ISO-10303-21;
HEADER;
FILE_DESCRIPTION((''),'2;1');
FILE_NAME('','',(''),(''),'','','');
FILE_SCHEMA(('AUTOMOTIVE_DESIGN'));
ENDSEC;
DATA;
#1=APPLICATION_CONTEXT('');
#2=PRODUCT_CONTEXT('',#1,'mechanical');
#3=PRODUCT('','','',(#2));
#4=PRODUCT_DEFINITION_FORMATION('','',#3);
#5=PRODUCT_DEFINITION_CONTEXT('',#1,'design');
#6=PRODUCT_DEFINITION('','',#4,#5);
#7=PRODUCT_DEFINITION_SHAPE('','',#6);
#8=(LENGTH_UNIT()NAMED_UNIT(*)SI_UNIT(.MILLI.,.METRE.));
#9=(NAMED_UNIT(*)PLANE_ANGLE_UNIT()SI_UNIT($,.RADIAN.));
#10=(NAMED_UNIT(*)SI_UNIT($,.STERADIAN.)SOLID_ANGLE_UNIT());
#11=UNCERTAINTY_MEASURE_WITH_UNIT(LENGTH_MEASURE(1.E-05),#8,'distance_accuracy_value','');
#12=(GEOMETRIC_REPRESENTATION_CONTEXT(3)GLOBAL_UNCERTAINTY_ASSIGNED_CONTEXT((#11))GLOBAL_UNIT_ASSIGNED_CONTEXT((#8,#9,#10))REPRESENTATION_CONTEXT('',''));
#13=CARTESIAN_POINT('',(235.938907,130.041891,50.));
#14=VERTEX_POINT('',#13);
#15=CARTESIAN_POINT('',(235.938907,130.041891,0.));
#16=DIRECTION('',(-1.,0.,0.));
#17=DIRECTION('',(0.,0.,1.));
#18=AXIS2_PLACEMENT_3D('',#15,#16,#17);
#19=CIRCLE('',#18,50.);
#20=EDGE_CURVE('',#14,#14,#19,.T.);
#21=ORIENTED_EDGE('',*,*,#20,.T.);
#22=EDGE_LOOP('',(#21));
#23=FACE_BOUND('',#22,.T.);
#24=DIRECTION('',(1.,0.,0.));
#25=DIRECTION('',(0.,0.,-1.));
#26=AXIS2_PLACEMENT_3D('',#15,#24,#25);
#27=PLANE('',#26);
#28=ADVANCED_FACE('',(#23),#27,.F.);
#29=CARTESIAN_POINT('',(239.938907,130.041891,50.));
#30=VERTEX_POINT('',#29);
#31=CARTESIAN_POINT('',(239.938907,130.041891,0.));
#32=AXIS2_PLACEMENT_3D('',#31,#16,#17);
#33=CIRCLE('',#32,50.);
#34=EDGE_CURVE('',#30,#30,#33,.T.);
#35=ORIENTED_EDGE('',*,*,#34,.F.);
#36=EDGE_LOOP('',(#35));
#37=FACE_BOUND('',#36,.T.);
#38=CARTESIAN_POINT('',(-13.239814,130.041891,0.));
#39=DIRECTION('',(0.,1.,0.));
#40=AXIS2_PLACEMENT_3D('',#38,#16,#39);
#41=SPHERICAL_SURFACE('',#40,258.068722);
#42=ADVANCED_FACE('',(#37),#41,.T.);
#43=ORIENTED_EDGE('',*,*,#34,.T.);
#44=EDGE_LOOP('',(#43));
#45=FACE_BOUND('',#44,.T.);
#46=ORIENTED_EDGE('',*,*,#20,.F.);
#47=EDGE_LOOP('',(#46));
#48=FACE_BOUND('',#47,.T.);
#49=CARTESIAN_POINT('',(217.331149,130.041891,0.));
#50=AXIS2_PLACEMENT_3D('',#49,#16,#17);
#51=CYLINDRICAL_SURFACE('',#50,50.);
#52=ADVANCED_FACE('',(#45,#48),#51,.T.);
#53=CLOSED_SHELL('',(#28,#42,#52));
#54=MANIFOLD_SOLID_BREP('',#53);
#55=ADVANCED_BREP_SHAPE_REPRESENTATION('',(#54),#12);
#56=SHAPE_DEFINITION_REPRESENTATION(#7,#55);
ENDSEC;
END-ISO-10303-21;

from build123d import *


with BuildPart() as part:
    # 草图1 → 旋转1 (revolve)
    with BuildSketch(Plane.XY):
        with BuildLine():
            Line((235.938907429, 130.04189076), (235.938907429, 180.04189076))
            Line((235.938907429, 180.04189076), (239.938907429, 180.04189076))
            ThreePointArc((239.938907429, 180.04189076), (243.603498072, 155.161166725), (244.828907429, 130.04189076))
            Line((244.828907429, 130.04189076), (235.938907429, 130.04189076))
        make_face()
    revolve(axis=Axis((217.331148661, 130.04189076, 0), (1, 0, 0)))


solid = part.part
